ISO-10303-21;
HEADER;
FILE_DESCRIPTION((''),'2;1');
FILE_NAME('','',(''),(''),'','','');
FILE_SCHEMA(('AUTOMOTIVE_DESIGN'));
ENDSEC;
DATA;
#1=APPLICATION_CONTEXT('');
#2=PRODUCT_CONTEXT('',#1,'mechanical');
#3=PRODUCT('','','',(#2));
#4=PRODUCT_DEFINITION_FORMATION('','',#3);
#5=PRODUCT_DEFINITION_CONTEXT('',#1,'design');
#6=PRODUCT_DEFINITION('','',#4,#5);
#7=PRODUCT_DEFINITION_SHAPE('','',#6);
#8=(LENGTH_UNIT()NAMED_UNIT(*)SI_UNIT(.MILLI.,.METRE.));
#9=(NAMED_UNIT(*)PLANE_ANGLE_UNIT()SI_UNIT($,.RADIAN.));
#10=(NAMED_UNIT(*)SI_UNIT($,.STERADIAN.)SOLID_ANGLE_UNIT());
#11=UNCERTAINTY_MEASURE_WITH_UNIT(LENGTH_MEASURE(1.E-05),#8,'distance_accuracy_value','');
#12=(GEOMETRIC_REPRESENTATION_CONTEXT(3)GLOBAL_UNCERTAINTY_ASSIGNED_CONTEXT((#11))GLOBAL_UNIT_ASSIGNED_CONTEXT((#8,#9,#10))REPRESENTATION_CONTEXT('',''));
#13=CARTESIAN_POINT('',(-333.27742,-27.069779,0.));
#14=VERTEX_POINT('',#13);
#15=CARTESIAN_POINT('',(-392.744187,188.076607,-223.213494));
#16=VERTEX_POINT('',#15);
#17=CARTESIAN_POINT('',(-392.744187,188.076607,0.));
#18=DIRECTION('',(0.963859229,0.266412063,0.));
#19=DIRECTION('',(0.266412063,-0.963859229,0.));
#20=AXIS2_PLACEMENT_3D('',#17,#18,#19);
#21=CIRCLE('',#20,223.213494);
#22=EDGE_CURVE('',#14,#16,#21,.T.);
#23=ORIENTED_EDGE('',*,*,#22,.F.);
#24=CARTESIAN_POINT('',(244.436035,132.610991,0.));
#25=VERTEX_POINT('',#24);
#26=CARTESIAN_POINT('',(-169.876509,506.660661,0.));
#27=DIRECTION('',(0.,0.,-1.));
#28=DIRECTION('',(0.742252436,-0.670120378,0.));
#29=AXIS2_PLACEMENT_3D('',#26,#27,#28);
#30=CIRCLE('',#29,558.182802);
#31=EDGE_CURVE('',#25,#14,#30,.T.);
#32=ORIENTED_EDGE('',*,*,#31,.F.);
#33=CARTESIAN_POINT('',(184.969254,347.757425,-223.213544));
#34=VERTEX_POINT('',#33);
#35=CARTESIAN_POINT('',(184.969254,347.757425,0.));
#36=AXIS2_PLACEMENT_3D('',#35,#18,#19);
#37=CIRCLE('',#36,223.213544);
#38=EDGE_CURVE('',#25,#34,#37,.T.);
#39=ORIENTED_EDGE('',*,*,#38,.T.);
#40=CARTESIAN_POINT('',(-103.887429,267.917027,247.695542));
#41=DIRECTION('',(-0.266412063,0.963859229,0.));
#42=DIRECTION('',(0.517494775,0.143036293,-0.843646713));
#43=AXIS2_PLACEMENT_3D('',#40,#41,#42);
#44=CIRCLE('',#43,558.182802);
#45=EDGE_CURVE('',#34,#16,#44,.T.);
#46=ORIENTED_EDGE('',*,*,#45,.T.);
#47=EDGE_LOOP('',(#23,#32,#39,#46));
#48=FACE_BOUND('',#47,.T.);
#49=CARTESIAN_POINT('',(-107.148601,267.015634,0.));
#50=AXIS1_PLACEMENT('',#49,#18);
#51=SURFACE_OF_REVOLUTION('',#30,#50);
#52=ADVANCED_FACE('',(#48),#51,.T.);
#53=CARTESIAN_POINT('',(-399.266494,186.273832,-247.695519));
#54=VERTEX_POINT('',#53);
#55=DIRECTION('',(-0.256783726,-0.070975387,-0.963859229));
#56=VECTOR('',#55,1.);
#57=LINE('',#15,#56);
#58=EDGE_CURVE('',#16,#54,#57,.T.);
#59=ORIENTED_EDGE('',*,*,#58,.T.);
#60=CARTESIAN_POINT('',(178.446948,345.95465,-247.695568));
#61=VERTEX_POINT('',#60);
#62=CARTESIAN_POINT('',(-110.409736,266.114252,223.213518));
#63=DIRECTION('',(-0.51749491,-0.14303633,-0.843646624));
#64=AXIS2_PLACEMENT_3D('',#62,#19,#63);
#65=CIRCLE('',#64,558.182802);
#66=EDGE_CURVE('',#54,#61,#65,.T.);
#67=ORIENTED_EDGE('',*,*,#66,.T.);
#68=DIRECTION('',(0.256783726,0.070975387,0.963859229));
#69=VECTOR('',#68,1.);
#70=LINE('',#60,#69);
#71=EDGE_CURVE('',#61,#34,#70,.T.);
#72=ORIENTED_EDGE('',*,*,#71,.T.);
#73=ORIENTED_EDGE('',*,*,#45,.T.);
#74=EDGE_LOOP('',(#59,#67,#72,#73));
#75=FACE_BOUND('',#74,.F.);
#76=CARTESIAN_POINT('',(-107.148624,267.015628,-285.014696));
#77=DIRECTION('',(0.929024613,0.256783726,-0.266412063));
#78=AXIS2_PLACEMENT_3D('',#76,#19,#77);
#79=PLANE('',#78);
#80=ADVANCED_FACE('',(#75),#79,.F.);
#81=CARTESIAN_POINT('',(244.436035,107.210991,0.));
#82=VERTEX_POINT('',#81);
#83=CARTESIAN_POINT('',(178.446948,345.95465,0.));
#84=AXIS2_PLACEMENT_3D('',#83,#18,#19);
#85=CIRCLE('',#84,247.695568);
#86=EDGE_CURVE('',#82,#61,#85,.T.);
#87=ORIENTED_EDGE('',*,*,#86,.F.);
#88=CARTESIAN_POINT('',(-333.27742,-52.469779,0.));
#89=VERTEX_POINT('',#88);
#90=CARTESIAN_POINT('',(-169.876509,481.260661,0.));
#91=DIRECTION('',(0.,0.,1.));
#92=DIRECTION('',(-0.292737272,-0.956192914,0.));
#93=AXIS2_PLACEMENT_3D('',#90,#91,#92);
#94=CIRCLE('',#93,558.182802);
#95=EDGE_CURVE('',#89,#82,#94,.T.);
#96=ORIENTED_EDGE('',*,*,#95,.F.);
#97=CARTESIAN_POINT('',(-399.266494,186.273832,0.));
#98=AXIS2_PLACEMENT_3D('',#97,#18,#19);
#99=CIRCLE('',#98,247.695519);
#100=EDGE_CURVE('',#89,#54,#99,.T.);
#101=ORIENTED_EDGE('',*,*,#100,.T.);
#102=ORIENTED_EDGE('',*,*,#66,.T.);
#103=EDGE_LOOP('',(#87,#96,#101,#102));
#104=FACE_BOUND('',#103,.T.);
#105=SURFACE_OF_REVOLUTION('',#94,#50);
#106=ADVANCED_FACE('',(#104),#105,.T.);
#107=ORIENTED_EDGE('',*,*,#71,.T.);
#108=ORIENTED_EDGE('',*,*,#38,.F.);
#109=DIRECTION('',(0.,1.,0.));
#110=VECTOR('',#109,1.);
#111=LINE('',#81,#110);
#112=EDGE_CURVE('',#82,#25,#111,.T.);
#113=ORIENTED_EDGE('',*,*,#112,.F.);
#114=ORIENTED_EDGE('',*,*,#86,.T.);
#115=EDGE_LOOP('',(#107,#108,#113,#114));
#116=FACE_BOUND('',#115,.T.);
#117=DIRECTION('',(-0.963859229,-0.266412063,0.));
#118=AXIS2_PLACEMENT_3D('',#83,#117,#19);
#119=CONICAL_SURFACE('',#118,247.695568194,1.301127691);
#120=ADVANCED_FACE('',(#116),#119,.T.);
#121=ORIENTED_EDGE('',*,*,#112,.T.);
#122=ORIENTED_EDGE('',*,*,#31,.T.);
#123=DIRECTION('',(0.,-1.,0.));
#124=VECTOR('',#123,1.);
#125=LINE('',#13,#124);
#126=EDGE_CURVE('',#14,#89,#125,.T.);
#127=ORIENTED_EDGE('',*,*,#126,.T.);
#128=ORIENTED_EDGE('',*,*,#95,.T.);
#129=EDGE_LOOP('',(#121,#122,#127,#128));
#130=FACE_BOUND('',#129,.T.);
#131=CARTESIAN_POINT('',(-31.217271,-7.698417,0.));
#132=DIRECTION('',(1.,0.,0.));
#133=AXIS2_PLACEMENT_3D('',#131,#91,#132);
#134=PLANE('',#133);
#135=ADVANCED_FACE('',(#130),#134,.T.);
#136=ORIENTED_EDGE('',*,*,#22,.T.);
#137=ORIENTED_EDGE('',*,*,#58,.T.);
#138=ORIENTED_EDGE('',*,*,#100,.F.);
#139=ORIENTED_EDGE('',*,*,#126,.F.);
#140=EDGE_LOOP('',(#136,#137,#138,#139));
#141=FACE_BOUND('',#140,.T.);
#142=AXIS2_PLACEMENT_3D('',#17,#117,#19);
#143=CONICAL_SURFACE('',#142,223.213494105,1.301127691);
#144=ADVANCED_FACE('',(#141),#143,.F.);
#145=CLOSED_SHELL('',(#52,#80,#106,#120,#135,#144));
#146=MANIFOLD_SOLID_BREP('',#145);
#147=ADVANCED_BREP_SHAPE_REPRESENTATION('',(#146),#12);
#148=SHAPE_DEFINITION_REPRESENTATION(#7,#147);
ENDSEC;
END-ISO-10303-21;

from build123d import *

# Parameters (mm, degrees)
F1_ANGLE = 90


with BuildPart() as f1:
    # F0 (on Top) → F1 (revolve)
    with BuildSketch(Plane.XY):
        with BuildLine():
            Line((-333.27742, -27.069779), (-333.27742, -52.469779))
            ThreePointArc((-333.27742, -52.469779), (-21.169922, -56.748996), (244.436035, 107.210991))
            Line((244.436035, 107.210991), (244.436035, 132.610991))
            ThreePointArc((244.436035, 132.610991), (-21.169922, -31.348996), (-333.27742, -27.069779))
        make_face()
    revolve(axis=Axis((-107.148601, 267.015634, 0), (0.963859, 0.266412, 0)), revolution_arc=F1_ANGLE)


solid = f1.part
